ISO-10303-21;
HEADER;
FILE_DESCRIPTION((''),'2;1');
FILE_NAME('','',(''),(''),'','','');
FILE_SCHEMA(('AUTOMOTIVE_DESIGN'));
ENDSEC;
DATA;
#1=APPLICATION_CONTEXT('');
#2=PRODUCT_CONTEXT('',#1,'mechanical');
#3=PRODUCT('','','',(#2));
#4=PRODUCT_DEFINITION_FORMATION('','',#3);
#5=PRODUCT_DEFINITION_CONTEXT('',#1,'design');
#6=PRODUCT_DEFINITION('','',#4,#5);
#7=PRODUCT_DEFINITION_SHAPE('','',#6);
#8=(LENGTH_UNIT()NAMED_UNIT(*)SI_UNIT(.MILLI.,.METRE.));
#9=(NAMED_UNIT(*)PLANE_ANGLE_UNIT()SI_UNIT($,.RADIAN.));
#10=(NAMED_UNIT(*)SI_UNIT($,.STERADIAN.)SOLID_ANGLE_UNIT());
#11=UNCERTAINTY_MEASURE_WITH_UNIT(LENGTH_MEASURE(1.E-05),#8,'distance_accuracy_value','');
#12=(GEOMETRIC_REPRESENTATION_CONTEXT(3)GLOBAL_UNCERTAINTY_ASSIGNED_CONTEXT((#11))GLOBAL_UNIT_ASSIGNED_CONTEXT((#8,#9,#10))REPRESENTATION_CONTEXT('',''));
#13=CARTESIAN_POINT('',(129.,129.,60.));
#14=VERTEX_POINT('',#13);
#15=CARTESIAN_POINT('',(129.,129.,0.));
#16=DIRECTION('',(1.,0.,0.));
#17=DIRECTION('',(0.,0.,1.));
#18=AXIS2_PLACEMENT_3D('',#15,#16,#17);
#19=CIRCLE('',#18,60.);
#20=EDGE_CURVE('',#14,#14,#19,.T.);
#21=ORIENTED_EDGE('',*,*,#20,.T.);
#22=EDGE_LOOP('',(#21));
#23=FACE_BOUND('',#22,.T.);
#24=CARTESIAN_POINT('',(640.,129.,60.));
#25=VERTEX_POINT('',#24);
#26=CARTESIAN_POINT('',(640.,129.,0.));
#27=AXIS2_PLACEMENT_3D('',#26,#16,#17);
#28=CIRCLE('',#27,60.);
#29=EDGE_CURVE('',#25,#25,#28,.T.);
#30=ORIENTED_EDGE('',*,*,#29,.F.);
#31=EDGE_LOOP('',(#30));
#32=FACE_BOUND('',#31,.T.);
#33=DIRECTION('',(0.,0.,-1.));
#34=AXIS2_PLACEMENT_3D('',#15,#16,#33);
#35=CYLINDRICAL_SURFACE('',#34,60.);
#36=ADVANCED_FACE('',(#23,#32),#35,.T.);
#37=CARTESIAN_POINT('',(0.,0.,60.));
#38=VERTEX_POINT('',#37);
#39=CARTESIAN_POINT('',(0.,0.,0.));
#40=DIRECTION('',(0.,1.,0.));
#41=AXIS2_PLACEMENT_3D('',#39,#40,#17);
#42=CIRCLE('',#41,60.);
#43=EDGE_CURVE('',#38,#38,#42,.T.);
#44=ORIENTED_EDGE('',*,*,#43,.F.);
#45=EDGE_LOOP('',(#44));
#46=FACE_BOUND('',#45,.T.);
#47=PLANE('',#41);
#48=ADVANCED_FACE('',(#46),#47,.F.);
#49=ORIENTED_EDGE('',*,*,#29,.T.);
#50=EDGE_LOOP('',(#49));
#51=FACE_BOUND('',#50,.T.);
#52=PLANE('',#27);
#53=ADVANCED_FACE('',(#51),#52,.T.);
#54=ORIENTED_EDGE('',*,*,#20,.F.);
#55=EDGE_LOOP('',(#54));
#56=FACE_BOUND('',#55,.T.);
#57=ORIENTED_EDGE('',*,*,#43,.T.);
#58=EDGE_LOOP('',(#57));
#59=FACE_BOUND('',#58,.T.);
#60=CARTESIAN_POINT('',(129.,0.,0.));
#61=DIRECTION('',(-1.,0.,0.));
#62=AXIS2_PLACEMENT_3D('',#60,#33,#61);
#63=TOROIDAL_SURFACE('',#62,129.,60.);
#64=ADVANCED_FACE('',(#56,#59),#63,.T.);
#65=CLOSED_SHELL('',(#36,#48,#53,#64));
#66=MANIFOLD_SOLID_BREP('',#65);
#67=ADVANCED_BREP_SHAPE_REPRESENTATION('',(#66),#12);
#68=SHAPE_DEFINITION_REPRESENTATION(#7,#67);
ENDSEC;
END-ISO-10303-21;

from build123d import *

# Parameters (mm, degrees)
SKETCH_1_R = 60


with BuildPart() as part:
    # По траектории1: sweep along a path in Эскиз2
    with BuildLine(Plane.XY) as sweep_1_path:
        Line((640, 129), (129, 129))
        ThreePointArc((129, 129), (37.783225227, 91.216774773), (0, 0))
    # Эскиз1 → По траектории1 (sweep)
    with BuildSketch(Plane(origin=(0, 0, 0), x_dir=(1, 0, 0), z_dir=(0, 1, 0))):
        Circle(SKETCH_1_R)
    sweep(path=sweep_1_path.line)


solid = part.part
